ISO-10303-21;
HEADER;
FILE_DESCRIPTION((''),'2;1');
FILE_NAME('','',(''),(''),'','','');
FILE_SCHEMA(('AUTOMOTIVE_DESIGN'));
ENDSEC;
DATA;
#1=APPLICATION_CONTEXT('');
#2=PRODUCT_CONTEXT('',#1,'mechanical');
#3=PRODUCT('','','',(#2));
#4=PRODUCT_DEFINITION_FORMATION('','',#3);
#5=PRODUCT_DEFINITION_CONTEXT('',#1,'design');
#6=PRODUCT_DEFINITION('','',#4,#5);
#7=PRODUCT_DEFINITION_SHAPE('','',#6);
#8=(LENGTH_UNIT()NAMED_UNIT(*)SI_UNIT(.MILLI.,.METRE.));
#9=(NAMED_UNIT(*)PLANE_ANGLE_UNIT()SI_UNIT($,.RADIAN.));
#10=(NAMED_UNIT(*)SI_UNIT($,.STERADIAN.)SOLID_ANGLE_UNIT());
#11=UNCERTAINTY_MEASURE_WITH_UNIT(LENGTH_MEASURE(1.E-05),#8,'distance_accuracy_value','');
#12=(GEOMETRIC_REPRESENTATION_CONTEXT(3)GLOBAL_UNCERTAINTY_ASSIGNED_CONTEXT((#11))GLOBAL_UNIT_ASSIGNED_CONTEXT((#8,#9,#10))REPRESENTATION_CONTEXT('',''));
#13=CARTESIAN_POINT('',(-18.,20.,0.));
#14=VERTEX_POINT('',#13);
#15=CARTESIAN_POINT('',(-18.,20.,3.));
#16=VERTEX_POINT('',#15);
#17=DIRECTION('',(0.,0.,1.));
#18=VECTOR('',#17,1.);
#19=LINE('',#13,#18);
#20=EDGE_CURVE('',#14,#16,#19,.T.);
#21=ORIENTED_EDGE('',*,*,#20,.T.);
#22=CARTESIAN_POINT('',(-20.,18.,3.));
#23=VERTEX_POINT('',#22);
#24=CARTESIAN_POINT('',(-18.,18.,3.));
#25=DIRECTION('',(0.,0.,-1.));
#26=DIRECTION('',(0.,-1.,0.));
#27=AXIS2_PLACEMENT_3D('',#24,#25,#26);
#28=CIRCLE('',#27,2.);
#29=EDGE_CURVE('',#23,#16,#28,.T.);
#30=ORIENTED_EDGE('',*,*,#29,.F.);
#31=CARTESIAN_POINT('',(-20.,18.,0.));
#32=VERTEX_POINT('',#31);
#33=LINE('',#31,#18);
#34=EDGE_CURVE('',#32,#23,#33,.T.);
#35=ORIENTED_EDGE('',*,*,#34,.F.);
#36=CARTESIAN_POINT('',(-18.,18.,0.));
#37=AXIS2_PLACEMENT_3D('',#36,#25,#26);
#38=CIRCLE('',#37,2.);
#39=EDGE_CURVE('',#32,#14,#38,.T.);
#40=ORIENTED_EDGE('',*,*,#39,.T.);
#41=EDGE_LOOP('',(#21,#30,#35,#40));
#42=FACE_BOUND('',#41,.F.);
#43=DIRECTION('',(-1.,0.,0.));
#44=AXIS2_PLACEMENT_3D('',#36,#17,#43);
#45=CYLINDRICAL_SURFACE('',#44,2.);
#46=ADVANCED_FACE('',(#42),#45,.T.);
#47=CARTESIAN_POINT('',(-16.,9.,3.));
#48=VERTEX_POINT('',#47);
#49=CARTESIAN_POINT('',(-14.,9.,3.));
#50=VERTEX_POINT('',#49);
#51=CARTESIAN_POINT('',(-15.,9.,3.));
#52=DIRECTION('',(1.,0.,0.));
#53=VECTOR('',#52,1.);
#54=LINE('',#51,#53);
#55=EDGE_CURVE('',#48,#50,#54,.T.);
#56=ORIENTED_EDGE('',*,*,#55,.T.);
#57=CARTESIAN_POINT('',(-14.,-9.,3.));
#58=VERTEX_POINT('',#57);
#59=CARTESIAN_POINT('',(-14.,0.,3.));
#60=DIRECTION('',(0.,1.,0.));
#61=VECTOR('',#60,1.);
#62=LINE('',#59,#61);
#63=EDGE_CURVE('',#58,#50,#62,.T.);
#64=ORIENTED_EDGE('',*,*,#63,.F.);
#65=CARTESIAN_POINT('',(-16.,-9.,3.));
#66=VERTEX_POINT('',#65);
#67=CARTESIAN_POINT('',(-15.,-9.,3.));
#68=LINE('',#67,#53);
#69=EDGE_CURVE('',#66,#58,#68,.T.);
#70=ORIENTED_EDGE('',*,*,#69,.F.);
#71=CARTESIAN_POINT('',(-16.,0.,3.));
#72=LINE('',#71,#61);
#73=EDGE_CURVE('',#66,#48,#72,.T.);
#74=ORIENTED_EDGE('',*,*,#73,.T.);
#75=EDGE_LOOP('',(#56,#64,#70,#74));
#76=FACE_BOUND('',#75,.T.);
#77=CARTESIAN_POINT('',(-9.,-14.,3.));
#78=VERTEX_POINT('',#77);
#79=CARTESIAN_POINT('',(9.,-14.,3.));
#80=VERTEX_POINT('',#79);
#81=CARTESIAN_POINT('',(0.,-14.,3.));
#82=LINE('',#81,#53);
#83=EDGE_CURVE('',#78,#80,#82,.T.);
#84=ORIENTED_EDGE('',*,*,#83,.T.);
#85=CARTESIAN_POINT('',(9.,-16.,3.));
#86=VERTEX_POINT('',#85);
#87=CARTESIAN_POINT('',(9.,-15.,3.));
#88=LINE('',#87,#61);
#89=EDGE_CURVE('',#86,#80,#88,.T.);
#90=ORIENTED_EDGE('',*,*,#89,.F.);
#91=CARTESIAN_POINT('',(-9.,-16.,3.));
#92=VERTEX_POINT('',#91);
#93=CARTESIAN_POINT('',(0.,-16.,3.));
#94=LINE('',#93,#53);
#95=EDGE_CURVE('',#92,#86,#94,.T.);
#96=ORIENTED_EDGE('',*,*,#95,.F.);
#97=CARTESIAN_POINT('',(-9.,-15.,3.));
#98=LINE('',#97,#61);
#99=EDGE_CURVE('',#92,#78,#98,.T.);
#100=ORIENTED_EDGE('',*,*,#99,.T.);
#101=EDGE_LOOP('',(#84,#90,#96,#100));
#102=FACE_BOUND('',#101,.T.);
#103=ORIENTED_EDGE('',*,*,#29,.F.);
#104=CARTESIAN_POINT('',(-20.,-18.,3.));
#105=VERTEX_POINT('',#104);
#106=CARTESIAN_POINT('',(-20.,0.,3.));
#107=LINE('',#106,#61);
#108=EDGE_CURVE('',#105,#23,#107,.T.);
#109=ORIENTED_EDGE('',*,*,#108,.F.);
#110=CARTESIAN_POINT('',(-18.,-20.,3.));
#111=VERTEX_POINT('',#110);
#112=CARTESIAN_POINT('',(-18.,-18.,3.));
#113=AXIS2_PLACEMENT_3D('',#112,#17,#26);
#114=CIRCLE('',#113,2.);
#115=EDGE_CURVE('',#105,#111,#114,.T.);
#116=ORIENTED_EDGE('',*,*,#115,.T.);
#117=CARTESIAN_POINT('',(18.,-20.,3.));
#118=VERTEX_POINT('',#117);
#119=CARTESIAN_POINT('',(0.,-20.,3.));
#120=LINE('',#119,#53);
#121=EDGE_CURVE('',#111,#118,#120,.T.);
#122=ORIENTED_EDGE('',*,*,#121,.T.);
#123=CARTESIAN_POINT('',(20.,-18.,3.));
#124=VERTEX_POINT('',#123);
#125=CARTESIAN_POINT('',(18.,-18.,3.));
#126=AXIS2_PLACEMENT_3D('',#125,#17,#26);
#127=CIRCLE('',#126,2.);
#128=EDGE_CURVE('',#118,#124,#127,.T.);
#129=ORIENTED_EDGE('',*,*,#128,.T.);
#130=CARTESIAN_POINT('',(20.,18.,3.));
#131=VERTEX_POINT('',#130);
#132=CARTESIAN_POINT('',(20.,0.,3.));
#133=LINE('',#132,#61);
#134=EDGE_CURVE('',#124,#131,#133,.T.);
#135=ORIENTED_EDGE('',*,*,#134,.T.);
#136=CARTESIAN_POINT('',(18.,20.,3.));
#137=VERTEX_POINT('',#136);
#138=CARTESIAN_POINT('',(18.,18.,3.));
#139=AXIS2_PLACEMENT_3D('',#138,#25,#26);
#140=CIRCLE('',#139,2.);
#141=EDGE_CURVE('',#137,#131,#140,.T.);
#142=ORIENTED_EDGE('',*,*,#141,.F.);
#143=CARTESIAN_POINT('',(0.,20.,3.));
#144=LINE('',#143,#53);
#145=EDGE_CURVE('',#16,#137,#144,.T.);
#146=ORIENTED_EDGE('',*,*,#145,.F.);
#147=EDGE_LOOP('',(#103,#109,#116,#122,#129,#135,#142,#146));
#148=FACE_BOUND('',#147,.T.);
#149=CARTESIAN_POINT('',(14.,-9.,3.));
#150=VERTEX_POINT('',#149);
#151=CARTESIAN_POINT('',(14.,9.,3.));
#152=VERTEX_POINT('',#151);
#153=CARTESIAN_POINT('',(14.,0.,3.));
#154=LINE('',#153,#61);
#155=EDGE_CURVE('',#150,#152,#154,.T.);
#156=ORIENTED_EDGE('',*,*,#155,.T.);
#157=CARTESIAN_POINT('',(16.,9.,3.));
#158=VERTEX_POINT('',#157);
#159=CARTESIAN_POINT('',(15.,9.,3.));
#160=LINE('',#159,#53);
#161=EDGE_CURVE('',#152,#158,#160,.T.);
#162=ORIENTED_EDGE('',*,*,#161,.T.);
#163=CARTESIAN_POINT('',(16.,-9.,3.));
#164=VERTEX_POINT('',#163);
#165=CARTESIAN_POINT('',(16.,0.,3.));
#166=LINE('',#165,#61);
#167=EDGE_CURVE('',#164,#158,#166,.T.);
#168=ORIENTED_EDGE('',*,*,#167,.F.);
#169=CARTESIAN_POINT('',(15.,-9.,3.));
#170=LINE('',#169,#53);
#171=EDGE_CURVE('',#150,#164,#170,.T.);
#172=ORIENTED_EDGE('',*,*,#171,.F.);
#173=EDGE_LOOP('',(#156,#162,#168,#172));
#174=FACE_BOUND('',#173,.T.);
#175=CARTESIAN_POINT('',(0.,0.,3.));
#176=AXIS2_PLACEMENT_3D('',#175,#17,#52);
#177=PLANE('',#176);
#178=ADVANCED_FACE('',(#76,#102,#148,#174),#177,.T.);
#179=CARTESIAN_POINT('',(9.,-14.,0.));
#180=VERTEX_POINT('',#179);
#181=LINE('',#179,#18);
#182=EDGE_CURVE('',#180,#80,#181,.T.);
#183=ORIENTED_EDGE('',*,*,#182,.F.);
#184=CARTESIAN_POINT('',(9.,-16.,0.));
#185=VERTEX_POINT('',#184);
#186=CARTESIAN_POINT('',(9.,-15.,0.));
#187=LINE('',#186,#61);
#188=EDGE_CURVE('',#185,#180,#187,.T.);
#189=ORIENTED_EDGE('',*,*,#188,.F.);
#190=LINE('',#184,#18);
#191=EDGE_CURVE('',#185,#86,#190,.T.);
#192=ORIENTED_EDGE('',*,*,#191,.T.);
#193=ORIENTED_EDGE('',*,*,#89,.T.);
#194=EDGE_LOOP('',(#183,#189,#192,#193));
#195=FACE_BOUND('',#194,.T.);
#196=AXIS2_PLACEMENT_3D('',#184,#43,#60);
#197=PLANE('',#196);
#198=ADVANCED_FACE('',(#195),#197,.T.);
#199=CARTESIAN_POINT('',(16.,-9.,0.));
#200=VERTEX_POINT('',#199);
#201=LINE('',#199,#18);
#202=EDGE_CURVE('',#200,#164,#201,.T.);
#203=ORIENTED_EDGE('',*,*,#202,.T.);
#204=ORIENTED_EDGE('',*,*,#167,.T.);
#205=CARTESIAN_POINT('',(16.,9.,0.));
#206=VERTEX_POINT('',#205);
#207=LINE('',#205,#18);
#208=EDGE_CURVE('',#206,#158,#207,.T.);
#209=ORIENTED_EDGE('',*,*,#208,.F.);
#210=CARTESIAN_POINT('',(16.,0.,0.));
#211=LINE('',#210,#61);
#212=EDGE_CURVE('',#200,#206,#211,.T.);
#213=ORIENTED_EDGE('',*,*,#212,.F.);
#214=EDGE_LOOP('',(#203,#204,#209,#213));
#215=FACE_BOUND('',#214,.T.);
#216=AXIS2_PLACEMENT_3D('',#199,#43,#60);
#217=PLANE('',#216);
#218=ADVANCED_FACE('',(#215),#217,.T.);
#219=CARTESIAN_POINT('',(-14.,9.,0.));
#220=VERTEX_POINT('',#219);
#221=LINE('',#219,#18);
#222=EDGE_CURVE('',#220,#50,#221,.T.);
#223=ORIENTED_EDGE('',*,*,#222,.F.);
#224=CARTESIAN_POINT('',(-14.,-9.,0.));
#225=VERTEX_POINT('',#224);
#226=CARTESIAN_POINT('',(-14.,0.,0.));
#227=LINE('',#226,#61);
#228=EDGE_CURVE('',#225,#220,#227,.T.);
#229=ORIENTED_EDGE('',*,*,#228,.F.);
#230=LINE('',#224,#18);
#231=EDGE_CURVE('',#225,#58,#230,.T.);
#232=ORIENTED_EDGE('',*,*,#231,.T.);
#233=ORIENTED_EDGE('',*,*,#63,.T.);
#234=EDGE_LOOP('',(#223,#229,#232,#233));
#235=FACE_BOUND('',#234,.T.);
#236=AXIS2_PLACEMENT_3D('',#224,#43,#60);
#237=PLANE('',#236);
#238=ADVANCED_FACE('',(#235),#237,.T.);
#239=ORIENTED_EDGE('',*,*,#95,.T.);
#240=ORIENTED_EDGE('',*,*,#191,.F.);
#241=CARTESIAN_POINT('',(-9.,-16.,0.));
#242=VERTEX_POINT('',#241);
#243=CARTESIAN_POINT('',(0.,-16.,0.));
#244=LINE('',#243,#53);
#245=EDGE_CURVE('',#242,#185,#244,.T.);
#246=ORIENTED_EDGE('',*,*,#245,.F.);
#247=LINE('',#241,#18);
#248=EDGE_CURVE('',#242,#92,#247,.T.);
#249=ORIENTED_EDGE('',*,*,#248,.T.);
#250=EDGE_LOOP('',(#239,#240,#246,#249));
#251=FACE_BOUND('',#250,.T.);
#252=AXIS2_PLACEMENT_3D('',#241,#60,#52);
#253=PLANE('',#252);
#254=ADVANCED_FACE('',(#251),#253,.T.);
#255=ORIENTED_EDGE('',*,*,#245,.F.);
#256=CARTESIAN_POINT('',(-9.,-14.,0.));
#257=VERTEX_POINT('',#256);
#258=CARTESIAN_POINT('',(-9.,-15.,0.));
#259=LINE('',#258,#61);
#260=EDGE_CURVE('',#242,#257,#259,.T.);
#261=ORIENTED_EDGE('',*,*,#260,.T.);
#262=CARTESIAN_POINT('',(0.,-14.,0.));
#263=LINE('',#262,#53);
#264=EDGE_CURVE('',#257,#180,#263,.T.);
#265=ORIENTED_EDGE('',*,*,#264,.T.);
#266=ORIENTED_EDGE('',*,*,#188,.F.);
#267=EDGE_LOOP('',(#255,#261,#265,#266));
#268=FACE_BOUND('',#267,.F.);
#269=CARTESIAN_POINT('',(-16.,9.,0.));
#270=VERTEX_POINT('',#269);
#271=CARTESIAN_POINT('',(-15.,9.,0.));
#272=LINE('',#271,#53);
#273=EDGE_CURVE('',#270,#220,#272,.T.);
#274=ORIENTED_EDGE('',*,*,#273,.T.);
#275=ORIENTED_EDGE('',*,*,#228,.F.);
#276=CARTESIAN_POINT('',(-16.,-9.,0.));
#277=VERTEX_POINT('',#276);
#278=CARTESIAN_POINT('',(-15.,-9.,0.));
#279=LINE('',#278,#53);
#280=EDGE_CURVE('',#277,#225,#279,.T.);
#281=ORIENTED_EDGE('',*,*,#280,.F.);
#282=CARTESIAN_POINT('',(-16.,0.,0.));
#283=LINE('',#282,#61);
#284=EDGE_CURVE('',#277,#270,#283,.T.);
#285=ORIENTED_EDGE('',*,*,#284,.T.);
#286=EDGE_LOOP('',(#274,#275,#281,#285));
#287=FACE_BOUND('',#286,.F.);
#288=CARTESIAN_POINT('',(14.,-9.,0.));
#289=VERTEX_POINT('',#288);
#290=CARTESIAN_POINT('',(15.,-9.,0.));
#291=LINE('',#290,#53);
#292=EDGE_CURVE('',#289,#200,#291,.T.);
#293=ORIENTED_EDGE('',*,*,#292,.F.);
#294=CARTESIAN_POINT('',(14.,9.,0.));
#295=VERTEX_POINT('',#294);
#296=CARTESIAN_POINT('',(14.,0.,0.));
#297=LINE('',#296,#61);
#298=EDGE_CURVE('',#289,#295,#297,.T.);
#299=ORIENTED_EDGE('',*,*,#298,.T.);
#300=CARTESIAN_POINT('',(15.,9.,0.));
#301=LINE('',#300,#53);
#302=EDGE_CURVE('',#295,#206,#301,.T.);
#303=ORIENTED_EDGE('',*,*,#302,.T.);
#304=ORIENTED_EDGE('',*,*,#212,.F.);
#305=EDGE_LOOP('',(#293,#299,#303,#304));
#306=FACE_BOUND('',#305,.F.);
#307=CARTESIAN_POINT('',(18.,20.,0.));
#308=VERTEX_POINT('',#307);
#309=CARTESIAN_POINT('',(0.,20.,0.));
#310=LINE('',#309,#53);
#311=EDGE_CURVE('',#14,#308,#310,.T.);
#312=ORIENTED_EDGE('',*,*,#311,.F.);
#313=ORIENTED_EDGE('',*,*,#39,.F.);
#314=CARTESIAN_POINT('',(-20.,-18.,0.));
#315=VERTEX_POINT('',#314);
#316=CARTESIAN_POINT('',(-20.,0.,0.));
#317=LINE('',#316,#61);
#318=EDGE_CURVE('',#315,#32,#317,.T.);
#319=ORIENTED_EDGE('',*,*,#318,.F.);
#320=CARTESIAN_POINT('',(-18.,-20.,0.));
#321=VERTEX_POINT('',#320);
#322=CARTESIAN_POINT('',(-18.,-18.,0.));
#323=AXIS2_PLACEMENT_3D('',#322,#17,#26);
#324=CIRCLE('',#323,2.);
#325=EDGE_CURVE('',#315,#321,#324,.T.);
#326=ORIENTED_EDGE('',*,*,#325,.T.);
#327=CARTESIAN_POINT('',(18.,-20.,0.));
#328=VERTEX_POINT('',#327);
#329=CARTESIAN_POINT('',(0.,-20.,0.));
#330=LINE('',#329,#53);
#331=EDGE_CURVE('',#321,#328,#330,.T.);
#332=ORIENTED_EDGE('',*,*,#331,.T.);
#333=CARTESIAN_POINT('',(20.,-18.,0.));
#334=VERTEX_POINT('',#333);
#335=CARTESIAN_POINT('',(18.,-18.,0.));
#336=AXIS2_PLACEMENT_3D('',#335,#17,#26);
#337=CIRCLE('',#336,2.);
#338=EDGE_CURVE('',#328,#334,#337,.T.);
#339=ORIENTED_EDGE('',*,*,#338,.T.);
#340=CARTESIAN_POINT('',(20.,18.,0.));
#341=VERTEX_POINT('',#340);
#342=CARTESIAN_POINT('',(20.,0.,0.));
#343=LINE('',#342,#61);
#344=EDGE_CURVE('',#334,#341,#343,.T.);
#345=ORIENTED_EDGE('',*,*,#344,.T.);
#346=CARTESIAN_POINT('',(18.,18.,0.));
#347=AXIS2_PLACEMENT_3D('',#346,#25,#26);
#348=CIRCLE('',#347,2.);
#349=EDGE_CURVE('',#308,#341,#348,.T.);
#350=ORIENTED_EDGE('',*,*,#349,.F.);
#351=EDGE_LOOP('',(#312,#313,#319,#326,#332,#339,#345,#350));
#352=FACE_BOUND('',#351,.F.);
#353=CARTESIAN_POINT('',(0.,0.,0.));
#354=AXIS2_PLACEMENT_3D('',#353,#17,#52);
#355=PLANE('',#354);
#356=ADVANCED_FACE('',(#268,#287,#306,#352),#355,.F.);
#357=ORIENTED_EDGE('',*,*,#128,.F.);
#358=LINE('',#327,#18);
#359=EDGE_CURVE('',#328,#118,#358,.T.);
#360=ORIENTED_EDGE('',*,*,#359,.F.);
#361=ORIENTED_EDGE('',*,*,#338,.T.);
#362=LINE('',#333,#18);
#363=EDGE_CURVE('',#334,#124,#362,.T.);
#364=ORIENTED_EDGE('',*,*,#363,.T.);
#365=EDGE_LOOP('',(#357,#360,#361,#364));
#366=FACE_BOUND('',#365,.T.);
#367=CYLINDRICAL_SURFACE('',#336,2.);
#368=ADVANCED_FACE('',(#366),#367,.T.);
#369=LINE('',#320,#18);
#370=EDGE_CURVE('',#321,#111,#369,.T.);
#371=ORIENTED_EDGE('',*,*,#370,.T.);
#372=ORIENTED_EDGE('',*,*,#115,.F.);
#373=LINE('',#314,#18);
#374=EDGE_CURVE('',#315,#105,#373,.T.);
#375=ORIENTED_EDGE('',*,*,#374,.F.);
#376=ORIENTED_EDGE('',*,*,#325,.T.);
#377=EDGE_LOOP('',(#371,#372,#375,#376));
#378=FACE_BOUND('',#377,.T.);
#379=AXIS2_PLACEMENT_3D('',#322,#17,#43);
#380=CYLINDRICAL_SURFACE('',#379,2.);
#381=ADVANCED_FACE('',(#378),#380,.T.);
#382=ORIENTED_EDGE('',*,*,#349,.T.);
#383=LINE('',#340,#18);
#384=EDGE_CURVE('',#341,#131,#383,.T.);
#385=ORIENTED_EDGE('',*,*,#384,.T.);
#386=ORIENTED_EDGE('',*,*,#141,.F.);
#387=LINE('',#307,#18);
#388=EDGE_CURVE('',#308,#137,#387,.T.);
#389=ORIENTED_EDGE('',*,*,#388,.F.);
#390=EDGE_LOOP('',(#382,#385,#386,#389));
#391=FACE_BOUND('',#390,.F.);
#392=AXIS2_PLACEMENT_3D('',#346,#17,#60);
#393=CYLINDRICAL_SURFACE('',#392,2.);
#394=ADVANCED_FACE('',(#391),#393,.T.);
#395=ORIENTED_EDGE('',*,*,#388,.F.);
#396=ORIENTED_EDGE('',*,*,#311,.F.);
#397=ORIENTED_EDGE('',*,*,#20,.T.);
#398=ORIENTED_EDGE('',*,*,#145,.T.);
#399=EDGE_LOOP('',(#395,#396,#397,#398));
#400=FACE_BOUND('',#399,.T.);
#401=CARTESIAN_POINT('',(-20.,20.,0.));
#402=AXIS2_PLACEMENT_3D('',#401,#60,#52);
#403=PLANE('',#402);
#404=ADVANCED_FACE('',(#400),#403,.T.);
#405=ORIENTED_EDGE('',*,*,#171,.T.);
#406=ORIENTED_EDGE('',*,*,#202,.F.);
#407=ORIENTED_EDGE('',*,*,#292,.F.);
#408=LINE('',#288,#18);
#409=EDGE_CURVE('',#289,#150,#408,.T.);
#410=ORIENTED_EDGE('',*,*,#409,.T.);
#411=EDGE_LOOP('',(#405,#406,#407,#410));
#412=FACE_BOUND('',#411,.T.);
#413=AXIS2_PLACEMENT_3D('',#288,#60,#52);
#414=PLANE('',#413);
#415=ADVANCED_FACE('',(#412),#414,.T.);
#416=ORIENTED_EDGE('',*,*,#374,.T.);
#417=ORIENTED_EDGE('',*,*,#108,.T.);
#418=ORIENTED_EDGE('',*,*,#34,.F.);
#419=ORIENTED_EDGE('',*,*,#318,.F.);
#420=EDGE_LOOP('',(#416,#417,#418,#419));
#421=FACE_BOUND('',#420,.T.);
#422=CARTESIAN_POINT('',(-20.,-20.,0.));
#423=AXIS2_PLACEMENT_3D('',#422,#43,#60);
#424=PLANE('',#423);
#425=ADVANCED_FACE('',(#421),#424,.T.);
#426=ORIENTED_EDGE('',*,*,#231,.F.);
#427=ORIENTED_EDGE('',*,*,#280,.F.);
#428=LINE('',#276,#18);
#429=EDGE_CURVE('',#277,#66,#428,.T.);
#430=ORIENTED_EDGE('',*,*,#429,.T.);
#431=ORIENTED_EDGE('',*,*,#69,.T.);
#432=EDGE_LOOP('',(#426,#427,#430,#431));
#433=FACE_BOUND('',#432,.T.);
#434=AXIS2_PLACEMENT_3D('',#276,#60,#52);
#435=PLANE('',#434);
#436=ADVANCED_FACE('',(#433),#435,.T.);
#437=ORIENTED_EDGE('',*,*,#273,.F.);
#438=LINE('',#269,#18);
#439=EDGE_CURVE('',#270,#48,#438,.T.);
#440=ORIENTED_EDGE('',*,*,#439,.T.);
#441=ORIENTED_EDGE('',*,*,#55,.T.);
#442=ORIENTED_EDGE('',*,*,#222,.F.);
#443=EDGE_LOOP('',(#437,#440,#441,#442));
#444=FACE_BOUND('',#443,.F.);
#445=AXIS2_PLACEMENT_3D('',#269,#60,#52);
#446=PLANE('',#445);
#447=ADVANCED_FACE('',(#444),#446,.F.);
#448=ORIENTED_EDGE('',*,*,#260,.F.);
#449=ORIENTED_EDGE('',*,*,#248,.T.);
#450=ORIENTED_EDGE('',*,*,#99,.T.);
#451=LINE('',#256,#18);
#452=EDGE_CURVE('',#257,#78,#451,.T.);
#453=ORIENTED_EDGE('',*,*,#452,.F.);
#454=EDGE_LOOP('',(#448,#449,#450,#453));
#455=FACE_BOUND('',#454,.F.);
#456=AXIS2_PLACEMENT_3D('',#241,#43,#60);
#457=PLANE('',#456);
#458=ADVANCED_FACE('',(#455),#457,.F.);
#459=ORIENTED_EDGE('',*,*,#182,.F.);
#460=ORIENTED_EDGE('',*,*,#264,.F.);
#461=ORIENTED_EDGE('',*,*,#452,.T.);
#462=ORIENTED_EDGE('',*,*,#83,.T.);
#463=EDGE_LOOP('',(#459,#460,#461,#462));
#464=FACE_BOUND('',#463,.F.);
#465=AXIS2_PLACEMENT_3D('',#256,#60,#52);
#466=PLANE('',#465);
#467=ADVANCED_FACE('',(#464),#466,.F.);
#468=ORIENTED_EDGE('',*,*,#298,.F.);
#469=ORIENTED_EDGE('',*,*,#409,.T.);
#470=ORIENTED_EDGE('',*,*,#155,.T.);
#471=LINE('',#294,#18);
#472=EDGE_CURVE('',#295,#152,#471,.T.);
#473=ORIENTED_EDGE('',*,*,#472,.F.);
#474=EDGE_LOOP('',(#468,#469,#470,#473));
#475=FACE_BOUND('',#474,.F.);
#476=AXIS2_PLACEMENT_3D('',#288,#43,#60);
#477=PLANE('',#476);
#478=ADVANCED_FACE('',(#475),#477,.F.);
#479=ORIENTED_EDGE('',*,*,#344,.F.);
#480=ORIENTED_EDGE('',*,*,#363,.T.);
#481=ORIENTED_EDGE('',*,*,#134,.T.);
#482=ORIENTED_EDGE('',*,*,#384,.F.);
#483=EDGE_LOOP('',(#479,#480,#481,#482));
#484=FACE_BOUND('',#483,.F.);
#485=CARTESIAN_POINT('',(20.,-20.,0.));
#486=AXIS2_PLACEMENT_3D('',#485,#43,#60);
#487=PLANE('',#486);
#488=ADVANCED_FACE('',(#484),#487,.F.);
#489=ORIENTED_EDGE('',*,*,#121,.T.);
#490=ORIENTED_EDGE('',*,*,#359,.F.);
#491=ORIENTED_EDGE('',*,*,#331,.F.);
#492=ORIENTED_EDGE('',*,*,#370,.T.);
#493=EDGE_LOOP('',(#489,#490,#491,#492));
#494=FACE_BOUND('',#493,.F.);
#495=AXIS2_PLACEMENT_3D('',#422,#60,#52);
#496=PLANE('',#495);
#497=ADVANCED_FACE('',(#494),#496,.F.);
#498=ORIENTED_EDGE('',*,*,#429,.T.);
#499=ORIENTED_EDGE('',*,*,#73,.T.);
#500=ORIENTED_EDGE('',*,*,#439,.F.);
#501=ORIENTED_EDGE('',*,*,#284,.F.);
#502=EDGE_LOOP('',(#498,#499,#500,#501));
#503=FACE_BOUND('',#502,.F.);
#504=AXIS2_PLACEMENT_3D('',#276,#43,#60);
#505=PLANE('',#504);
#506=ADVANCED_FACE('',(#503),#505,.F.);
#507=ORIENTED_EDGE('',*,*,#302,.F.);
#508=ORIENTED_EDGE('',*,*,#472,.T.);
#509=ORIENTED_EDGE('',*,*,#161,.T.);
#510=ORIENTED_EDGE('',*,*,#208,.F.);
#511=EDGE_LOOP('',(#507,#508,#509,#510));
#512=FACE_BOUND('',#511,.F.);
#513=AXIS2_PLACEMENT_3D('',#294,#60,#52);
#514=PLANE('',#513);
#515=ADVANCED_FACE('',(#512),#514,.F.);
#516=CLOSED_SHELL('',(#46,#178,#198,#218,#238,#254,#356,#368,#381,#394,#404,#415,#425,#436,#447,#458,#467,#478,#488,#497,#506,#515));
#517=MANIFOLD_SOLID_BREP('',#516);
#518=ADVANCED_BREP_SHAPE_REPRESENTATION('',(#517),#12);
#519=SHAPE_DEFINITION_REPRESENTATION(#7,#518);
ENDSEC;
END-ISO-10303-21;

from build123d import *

# Parameters (mm, degrees)
F0_W     = 40
F0_H     = 40
F0_W_2   = 18
F0_H_2   = 2
F0_W_3   = 2
F0_H_3   = 18
F1_DEPTH = 3
F2_R     = 2


with BuildPart() as f1:
    # F0 (on Top) → F1 (new body)
    with BuildSketch(Plane.XY):
        Rectangle(F0_W, F0_H)
        with Locations((0, -15)):
            Rectangle(F0_W_2, F0_H_2, mode=Mode.SUBTRACT)
        with Locations((-15, 0)):
            Rectangle(F0_W_3, F0_H_3, mode=Mode.SUBTRACT)
        with Locations((15, 0)):
            Rectangle(F0_W_3, F0_H_3, mode=Mode.SUBTRACT)
    extrude(amount=F1_DEPTH)

    # F2
    f2_edges = [f1.edges().sort_by_distance(p)[0] for p in [
        (20, -20, 1.5),
        (-20, -20, 1.5),
        (-20, 20, 1.5),
        (20, 20, 1.5),
    ]]
    fillet(f2_edges, radius=F2_R)


solid = f1.part
